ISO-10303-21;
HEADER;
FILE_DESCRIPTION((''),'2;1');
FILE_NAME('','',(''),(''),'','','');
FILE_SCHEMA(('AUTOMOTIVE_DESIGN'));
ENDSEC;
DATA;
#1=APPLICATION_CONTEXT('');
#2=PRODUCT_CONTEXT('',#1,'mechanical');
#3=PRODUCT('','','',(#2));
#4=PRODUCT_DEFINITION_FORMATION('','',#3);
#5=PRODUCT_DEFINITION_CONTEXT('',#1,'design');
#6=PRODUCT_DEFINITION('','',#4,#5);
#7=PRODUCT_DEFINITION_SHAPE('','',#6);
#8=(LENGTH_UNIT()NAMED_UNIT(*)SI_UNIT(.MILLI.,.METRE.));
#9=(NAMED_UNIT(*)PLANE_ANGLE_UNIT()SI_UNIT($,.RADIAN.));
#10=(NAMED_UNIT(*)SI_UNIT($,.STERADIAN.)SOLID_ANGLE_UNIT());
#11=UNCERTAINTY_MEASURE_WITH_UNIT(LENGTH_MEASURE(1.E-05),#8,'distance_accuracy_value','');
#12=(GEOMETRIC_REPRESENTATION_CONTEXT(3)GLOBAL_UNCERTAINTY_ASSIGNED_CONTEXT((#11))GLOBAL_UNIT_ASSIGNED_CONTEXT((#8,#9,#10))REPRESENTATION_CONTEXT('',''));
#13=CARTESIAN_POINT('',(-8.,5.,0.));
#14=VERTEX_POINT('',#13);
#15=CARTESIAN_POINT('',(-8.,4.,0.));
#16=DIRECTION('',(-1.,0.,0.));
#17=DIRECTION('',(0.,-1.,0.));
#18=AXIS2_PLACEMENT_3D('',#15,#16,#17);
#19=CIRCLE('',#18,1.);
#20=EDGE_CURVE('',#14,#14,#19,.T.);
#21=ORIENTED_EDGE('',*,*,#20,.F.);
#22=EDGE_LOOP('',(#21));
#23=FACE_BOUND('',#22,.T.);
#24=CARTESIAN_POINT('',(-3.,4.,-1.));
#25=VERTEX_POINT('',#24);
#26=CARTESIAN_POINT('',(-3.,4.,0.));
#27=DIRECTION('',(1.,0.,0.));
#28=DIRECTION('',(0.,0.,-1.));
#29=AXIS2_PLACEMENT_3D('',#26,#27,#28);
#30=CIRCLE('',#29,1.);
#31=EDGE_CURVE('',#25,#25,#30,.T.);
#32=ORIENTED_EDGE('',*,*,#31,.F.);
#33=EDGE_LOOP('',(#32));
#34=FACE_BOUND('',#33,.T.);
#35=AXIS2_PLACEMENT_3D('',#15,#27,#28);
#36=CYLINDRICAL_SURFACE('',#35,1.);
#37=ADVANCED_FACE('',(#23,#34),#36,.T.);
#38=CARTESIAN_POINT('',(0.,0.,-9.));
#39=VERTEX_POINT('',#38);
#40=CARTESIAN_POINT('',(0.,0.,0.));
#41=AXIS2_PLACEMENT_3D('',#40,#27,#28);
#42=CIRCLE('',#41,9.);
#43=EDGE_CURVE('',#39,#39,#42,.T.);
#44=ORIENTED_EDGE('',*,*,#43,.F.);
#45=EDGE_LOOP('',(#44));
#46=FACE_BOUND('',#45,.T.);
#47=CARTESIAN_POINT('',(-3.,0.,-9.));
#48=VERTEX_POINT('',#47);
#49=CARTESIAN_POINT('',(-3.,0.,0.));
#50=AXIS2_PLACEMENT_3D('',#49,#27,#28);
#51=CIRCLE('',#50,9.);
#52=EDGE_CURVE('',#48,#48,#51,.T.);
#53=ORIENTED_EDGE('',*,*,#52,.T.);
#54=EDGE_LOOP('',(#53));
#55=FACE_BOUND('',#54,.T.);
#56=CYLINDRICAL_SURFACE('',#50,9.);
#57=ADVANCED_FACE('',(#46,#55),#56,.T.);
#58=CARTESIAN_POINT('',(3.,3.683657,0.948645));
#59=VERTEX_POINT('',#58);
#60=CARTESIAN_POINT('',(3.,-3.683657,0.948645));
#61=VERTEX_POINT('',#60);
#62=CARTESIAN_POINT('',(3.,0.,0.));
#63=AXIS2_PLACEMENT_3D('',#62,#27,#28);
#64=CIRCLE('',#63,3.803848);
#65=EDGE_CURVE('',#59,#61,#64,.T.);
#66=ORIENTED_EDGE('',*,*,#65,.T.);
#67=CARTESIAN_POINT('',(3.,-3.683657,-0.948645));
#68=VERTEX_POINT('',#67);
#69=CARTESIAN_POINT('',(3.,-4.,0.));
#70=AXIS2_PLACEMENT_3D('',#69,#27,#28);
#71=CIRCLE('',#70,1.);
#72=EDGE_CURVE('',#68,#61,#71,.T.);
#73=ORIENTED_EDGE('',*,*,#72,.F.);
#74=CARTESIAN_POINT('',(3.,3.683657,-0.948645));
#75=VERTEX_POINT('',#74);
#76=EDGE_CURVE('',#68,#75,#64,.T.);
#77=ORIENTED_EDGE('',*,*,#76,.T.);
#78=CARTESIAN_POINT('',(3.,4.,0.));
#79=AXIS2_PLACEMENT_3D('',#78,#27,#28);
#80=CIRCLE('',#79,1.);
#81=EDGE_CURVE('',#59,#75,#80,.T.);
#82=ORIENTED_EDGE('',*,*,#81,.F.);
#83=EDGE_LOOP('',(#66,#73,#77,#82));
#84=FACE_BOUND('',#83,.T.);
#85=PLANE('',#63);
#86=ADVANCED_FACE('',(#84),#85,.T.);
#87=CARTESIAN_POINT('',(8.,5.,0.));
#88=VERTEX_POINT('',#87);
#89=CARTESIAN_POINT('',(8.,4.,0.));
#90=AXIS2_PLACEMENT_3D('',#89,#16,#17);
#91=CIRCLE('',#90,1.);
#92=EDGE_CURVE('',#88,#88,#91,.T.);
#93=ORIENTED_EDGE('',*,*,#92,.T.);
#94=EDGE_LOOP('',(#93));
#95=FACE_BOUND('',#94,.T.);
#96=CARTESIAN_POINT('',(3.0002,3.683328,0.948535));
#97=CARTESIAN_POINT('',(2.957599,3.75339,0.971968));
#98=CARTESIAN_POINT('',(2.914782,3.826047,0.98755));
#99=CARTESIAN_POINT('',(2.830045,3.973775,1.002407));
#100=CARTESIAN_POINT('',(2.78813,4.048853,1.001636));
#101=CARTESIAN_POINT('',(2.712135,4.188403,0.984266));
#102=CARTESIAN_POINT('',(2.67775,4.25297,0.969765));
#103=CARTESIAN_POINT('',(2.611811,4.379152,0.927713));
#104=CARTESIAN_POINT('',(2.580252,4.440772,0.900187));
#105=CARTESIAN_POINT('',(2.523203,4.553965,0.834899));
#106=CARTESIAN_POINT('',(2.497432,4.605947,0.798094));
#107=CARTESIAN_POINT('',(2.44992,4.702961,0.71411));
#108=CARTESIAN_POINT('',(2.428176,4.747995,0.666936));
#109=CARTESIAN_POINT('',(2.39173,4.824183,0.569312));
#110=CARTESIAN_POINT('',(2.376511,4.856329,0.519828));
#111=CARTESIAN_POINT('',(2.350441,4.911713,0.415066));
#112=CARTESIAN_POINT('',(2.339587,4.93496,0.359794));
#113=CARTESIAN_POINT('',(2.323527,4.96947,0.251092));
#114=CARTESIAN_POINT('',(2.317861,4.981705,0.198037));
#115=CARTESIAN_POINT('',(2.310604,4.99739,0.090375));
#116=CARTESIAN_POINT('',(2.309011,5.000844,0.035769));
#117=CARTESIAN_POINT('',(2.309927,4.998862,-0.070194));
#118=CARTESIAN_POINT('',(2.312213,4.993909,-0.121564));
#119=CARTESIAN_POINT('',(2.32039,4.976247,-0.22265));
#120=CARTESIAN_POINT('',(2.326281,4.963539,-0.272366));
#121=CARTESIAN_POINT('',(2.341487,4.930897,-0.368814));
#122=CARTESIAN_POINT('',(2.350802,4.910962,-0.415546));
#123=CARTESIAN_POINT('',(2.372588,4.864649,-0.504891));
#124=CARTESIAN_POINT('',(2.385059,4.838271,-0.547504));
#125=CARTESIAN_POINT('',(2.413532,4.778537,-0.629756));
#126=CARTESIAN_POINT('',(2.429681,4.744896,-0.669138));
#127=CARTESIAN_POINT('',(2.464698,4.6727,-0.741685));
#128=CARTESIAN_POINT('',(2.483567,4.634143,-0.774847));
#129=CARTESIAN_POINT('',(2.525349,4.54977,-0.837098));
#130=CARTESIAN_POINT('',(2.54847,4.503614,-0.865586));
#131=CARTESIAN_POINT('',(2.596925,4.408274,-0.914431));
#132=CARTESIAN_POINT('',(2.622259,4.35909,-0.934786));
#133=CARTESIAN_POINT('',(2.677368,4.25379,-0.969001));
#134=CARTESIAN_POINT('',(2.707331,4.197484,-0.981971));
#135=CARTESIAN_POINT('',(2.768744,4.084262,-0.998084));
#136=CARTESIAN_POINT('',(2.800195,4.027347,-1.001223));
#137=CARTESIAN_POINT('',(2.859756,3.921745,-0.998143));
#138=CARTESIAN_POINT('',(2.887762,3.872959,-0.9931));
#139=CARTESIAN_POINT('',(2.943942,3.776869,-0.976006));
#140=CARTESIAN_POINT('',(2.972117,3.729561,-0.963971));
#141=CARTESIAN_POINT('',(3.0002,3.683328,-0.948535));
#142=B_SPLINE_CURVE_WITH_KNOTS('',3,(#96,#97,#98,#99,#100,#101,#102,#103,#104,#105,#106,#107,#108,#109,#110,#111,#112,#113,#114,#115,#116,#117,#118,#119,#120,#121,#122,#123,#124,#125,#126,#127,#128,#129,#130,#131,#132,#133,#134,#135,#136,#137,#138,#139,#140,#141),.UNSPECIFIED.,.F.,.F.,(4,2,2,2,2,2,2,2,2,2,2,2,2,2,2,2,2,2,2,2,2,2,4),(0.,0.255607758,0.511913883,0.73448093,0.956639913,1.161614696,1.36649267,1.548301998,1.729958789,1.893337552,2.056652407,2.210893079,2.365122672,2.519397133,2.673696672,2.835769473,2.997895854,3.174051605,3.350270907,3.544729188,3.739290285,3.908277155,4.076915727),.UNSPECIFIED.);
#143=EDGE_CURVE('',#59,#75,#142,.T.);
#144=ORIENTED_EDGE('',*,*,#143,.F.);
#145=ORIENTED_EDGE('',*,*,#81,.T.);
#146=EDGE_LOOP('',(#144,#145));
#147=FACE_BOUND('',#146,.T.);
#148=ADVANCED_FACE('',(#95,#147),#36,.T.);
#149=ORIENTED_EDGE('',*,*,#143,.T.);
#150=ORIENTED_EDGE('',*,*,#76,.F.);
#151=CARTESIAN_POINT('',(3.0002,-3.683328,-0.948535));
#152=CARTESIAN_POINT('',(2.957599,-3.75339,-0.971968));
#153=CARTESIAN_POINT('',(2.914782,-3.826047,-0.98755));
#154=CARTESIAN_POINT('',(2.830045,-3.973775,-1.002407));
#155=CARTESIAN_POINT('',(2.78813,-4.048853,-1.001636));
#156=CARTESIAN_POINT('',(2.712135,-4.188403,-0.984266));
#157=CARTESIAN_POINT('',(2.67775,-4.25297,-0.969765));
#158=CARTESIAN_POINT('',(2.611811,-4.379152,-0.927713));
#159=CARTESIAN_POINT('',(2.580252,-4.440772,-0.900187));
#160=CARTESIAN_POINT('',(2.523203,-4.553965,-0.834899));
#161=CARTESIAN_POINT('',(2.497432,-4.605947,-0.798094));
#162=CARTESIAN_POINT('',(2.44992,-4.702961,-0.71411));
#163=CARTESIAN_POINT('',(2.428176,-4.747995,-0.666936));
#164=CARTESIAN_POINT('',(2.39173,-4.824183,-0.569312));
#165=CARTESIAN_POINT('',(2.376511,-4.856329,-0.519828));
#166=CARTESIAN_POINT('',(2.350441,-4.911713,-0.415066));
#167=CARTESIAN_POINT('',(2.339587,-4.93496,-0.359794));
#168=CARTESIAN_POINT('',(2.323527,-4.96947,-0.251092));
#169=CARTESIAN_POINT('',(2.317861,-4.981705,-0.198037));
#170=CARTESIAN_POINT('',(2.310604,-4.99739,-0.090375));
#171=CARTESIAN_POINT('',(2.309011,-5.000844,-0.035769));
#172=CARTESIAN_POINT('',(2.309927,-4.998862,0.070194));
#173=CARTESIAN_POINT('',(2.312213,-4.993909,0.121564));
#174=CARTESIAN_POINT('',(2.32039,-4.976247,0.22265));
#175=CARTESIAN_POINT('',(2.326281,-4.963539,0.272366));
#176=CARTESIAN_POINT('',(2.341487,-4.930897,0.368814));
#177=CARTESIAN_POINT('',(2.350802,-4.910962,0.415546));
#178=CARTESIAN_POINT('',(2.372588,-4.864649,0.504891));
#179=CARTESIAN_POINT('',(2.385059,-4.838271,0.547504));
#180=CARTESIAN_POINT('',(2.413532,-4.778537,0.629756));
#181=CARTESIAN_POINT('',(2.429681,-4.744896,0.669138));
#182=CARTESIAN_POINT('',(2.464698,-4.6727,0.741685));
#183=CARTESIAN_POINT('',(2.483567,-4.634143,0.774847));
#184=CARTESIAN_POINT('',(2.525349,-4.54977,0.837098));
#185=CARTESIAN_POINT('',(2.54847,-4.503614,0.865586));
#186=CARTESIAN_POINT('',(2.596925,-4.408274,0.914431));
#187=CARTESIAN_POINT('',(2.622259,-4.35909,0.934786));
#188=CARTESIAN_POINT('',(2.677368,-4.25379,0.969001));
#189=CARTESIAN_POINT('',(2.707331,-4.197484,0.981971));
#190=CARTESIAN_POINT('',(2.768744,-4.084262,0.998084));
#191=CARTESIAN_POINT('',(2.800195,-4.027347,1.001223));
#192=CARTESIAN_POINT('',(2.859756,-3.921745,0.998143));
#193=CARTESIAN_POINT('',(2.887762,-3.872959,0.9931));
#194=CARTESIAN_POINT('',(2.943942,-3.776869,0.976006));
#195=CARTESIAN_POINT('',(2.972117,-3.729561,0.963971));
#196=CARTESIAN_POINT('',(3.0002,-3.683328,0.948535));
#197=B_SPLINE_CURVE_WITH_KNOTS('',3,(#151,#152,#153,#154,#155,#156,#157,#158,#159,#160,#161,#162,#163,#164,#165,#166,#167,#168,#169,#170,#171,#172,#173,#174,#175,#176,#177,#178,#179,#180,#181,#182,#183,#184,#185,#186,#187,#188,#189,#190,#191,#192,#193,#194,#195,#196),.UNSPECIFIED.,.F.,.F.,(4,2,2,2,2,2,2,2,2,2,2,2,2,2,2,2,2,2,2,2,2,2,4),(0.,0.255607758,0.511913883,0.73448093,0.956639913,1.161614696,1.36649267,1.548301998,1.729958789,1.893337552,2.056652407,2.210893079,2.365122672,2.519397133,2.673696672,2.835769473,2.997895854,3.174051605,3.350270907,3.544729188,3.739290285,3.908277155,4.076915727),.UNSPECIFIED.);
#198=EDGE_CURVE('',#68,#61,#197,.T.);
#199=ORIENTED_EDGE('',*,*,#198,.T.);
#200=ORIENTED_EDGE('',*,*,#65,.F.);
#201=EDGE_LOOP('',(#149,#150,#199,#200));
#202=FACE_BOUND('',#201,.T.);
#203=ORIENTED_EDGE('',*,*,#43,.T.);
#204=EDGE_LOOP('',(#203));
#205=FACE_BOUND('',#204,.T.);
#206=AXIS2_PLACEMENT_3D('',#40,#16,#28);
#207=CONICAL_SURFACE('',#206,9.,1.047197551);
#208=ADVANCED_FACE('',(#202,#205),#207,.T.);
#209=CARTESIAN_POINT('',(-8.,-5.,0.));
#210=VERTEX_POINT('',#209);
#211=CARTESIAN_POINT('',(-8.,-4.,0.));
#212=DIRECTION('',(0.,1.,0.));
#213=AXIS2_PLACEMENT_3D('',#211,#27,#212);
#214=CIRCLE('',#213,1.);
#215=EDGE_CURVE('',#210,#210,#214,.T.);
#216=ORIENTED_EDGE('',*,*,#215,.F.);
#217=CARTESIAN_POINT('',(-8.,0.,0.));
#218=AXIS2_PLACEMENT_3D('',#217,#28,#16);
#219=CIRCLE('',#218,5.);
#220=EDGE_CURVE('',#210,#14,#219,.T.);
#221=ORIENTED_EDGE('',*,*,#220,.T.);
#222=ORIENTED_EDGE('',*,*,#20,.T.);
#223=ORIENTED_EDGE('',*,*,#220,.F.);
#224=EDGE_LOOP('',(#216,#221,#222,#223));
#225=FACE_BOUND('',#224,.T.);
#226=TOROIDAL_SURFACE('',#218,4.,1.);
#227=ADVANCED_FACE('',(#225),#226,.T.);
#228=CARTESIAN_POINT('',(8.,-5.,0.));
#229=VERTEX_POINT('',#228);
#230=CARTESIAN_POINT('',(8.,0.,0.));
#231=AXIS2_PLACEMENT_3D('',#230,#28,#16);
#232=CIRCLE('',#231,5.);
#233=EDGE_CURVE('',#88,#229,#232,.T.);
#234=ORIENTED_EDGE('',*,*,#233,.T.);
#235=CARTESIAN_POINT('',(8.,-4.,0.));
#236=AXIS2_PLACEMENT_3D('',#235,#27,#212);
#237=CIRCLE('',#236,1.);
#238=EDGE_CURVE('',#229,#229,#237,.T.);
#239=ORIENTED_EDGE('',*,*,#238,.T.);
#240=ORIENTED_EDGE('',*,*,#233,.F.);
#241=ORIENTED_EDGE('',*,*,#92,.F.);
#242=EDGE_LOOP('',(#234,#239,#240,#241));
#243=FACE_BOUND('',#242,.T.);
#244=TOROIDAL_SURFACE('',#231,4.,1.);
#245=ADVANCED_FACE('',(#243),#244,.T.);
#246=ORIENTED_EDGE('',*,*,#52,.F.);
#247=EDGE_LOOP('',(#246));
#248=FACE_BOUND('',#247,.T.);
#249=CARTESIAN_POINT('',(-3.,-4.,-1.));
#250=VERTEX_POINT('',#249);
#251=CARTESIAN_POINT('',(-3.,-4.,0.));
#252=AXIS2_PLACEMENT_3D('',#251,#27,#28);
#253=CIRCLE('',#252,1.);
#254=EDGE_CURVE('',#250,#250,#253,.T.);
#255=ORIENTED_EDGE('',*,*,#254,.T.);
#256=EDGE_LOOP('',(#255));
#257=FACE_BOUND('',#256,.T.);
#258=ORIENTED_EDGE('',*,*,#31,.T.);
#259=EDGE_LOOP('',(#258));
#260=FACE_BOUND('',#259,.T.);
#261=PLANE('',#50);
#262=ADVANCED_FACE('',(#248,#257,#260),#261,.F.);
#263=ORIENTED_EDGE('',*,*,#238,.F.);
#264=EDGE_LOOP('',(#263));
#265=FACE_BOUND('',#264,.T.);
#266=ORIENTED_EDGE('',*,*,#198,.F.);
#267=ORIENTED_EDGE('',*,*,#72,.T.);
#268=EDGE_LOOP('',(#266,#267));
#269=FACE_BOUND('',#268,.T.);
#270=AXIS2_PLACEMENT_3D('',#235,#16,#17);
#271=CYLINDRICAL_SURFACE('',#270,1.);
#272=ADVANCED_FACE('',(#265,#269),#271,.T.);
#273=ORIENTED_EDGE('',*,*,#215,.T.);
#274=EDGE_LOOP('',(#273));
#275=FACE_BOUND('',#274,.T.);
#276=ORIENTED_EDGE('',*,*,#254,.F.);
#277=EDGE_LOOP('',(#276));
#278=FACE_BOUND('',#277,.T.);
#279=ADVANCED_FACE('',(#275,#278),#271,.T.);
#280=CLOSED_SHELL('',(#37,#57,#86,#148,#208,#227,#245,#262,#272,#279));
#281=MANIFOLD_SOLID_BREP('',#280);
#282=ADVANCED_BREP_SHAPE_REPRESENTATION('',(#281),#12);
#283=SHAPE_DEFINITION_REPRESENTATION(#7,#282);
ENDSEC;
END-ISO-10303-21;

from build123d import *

# Parameters (mm, degrees)
SWEEP_1_PROFILE_R         = 1
SKETCH_9_R                = 9
EXTRUDE_1_DEPTH           = 3
EXTRUDE_1_TAPER           = 60
EXTRUDE_1_OTHER_WAY_DEPTH = 3


with BuildPart() as part:
    # 扫描1: sweep along a path in 草图1
    with BuildLine(Plane.XY) as sweep_1_path:
        Line((8, 4), (-8, 4))
        ThreePointArc((-8, 4), (-12, 0), (-8, -4))
        Line((-8, -4), (8, -4))
        ThreePointArc((8, -4), (12, 0), (8, 4))
    # 扫描1 profile (on start of the path) → 扫描1 (sweep)
    with BuildSketch(Plane(origin=(8, 4, 0), x_dir=(0, 0, -1), z_dir=(-1, 0, 0))):
        Circle(SWEEP_1_PROFILE_R)
    sweep(path=sweep_1_path.line)

    # 草图9 → 凸台-拉伸1 (add)
    with BuildSketch(Plane(origin=(0, 0, 0), x_dir=(0, 0, -1), z_dir=(1, 0, 0))):
        Circle(SKETCH_9_R)
    extrude(amount=EXTRUDE_1_DEPTH, taper=EXTRUDE_1_TAPER)

    # 草图9 → 凸台-拉伸1 other way (add)
    with BuildSketch(Plane(origin=(0, 0, 0), x_dir=(0, 0, -1), z_dir=(1, 0, 0))):
        Circle(SKETCH_9_R)
    extrude(amount=-EXTRUDE_1_OTHER_WAY_DEPTH)


solid = part.part
